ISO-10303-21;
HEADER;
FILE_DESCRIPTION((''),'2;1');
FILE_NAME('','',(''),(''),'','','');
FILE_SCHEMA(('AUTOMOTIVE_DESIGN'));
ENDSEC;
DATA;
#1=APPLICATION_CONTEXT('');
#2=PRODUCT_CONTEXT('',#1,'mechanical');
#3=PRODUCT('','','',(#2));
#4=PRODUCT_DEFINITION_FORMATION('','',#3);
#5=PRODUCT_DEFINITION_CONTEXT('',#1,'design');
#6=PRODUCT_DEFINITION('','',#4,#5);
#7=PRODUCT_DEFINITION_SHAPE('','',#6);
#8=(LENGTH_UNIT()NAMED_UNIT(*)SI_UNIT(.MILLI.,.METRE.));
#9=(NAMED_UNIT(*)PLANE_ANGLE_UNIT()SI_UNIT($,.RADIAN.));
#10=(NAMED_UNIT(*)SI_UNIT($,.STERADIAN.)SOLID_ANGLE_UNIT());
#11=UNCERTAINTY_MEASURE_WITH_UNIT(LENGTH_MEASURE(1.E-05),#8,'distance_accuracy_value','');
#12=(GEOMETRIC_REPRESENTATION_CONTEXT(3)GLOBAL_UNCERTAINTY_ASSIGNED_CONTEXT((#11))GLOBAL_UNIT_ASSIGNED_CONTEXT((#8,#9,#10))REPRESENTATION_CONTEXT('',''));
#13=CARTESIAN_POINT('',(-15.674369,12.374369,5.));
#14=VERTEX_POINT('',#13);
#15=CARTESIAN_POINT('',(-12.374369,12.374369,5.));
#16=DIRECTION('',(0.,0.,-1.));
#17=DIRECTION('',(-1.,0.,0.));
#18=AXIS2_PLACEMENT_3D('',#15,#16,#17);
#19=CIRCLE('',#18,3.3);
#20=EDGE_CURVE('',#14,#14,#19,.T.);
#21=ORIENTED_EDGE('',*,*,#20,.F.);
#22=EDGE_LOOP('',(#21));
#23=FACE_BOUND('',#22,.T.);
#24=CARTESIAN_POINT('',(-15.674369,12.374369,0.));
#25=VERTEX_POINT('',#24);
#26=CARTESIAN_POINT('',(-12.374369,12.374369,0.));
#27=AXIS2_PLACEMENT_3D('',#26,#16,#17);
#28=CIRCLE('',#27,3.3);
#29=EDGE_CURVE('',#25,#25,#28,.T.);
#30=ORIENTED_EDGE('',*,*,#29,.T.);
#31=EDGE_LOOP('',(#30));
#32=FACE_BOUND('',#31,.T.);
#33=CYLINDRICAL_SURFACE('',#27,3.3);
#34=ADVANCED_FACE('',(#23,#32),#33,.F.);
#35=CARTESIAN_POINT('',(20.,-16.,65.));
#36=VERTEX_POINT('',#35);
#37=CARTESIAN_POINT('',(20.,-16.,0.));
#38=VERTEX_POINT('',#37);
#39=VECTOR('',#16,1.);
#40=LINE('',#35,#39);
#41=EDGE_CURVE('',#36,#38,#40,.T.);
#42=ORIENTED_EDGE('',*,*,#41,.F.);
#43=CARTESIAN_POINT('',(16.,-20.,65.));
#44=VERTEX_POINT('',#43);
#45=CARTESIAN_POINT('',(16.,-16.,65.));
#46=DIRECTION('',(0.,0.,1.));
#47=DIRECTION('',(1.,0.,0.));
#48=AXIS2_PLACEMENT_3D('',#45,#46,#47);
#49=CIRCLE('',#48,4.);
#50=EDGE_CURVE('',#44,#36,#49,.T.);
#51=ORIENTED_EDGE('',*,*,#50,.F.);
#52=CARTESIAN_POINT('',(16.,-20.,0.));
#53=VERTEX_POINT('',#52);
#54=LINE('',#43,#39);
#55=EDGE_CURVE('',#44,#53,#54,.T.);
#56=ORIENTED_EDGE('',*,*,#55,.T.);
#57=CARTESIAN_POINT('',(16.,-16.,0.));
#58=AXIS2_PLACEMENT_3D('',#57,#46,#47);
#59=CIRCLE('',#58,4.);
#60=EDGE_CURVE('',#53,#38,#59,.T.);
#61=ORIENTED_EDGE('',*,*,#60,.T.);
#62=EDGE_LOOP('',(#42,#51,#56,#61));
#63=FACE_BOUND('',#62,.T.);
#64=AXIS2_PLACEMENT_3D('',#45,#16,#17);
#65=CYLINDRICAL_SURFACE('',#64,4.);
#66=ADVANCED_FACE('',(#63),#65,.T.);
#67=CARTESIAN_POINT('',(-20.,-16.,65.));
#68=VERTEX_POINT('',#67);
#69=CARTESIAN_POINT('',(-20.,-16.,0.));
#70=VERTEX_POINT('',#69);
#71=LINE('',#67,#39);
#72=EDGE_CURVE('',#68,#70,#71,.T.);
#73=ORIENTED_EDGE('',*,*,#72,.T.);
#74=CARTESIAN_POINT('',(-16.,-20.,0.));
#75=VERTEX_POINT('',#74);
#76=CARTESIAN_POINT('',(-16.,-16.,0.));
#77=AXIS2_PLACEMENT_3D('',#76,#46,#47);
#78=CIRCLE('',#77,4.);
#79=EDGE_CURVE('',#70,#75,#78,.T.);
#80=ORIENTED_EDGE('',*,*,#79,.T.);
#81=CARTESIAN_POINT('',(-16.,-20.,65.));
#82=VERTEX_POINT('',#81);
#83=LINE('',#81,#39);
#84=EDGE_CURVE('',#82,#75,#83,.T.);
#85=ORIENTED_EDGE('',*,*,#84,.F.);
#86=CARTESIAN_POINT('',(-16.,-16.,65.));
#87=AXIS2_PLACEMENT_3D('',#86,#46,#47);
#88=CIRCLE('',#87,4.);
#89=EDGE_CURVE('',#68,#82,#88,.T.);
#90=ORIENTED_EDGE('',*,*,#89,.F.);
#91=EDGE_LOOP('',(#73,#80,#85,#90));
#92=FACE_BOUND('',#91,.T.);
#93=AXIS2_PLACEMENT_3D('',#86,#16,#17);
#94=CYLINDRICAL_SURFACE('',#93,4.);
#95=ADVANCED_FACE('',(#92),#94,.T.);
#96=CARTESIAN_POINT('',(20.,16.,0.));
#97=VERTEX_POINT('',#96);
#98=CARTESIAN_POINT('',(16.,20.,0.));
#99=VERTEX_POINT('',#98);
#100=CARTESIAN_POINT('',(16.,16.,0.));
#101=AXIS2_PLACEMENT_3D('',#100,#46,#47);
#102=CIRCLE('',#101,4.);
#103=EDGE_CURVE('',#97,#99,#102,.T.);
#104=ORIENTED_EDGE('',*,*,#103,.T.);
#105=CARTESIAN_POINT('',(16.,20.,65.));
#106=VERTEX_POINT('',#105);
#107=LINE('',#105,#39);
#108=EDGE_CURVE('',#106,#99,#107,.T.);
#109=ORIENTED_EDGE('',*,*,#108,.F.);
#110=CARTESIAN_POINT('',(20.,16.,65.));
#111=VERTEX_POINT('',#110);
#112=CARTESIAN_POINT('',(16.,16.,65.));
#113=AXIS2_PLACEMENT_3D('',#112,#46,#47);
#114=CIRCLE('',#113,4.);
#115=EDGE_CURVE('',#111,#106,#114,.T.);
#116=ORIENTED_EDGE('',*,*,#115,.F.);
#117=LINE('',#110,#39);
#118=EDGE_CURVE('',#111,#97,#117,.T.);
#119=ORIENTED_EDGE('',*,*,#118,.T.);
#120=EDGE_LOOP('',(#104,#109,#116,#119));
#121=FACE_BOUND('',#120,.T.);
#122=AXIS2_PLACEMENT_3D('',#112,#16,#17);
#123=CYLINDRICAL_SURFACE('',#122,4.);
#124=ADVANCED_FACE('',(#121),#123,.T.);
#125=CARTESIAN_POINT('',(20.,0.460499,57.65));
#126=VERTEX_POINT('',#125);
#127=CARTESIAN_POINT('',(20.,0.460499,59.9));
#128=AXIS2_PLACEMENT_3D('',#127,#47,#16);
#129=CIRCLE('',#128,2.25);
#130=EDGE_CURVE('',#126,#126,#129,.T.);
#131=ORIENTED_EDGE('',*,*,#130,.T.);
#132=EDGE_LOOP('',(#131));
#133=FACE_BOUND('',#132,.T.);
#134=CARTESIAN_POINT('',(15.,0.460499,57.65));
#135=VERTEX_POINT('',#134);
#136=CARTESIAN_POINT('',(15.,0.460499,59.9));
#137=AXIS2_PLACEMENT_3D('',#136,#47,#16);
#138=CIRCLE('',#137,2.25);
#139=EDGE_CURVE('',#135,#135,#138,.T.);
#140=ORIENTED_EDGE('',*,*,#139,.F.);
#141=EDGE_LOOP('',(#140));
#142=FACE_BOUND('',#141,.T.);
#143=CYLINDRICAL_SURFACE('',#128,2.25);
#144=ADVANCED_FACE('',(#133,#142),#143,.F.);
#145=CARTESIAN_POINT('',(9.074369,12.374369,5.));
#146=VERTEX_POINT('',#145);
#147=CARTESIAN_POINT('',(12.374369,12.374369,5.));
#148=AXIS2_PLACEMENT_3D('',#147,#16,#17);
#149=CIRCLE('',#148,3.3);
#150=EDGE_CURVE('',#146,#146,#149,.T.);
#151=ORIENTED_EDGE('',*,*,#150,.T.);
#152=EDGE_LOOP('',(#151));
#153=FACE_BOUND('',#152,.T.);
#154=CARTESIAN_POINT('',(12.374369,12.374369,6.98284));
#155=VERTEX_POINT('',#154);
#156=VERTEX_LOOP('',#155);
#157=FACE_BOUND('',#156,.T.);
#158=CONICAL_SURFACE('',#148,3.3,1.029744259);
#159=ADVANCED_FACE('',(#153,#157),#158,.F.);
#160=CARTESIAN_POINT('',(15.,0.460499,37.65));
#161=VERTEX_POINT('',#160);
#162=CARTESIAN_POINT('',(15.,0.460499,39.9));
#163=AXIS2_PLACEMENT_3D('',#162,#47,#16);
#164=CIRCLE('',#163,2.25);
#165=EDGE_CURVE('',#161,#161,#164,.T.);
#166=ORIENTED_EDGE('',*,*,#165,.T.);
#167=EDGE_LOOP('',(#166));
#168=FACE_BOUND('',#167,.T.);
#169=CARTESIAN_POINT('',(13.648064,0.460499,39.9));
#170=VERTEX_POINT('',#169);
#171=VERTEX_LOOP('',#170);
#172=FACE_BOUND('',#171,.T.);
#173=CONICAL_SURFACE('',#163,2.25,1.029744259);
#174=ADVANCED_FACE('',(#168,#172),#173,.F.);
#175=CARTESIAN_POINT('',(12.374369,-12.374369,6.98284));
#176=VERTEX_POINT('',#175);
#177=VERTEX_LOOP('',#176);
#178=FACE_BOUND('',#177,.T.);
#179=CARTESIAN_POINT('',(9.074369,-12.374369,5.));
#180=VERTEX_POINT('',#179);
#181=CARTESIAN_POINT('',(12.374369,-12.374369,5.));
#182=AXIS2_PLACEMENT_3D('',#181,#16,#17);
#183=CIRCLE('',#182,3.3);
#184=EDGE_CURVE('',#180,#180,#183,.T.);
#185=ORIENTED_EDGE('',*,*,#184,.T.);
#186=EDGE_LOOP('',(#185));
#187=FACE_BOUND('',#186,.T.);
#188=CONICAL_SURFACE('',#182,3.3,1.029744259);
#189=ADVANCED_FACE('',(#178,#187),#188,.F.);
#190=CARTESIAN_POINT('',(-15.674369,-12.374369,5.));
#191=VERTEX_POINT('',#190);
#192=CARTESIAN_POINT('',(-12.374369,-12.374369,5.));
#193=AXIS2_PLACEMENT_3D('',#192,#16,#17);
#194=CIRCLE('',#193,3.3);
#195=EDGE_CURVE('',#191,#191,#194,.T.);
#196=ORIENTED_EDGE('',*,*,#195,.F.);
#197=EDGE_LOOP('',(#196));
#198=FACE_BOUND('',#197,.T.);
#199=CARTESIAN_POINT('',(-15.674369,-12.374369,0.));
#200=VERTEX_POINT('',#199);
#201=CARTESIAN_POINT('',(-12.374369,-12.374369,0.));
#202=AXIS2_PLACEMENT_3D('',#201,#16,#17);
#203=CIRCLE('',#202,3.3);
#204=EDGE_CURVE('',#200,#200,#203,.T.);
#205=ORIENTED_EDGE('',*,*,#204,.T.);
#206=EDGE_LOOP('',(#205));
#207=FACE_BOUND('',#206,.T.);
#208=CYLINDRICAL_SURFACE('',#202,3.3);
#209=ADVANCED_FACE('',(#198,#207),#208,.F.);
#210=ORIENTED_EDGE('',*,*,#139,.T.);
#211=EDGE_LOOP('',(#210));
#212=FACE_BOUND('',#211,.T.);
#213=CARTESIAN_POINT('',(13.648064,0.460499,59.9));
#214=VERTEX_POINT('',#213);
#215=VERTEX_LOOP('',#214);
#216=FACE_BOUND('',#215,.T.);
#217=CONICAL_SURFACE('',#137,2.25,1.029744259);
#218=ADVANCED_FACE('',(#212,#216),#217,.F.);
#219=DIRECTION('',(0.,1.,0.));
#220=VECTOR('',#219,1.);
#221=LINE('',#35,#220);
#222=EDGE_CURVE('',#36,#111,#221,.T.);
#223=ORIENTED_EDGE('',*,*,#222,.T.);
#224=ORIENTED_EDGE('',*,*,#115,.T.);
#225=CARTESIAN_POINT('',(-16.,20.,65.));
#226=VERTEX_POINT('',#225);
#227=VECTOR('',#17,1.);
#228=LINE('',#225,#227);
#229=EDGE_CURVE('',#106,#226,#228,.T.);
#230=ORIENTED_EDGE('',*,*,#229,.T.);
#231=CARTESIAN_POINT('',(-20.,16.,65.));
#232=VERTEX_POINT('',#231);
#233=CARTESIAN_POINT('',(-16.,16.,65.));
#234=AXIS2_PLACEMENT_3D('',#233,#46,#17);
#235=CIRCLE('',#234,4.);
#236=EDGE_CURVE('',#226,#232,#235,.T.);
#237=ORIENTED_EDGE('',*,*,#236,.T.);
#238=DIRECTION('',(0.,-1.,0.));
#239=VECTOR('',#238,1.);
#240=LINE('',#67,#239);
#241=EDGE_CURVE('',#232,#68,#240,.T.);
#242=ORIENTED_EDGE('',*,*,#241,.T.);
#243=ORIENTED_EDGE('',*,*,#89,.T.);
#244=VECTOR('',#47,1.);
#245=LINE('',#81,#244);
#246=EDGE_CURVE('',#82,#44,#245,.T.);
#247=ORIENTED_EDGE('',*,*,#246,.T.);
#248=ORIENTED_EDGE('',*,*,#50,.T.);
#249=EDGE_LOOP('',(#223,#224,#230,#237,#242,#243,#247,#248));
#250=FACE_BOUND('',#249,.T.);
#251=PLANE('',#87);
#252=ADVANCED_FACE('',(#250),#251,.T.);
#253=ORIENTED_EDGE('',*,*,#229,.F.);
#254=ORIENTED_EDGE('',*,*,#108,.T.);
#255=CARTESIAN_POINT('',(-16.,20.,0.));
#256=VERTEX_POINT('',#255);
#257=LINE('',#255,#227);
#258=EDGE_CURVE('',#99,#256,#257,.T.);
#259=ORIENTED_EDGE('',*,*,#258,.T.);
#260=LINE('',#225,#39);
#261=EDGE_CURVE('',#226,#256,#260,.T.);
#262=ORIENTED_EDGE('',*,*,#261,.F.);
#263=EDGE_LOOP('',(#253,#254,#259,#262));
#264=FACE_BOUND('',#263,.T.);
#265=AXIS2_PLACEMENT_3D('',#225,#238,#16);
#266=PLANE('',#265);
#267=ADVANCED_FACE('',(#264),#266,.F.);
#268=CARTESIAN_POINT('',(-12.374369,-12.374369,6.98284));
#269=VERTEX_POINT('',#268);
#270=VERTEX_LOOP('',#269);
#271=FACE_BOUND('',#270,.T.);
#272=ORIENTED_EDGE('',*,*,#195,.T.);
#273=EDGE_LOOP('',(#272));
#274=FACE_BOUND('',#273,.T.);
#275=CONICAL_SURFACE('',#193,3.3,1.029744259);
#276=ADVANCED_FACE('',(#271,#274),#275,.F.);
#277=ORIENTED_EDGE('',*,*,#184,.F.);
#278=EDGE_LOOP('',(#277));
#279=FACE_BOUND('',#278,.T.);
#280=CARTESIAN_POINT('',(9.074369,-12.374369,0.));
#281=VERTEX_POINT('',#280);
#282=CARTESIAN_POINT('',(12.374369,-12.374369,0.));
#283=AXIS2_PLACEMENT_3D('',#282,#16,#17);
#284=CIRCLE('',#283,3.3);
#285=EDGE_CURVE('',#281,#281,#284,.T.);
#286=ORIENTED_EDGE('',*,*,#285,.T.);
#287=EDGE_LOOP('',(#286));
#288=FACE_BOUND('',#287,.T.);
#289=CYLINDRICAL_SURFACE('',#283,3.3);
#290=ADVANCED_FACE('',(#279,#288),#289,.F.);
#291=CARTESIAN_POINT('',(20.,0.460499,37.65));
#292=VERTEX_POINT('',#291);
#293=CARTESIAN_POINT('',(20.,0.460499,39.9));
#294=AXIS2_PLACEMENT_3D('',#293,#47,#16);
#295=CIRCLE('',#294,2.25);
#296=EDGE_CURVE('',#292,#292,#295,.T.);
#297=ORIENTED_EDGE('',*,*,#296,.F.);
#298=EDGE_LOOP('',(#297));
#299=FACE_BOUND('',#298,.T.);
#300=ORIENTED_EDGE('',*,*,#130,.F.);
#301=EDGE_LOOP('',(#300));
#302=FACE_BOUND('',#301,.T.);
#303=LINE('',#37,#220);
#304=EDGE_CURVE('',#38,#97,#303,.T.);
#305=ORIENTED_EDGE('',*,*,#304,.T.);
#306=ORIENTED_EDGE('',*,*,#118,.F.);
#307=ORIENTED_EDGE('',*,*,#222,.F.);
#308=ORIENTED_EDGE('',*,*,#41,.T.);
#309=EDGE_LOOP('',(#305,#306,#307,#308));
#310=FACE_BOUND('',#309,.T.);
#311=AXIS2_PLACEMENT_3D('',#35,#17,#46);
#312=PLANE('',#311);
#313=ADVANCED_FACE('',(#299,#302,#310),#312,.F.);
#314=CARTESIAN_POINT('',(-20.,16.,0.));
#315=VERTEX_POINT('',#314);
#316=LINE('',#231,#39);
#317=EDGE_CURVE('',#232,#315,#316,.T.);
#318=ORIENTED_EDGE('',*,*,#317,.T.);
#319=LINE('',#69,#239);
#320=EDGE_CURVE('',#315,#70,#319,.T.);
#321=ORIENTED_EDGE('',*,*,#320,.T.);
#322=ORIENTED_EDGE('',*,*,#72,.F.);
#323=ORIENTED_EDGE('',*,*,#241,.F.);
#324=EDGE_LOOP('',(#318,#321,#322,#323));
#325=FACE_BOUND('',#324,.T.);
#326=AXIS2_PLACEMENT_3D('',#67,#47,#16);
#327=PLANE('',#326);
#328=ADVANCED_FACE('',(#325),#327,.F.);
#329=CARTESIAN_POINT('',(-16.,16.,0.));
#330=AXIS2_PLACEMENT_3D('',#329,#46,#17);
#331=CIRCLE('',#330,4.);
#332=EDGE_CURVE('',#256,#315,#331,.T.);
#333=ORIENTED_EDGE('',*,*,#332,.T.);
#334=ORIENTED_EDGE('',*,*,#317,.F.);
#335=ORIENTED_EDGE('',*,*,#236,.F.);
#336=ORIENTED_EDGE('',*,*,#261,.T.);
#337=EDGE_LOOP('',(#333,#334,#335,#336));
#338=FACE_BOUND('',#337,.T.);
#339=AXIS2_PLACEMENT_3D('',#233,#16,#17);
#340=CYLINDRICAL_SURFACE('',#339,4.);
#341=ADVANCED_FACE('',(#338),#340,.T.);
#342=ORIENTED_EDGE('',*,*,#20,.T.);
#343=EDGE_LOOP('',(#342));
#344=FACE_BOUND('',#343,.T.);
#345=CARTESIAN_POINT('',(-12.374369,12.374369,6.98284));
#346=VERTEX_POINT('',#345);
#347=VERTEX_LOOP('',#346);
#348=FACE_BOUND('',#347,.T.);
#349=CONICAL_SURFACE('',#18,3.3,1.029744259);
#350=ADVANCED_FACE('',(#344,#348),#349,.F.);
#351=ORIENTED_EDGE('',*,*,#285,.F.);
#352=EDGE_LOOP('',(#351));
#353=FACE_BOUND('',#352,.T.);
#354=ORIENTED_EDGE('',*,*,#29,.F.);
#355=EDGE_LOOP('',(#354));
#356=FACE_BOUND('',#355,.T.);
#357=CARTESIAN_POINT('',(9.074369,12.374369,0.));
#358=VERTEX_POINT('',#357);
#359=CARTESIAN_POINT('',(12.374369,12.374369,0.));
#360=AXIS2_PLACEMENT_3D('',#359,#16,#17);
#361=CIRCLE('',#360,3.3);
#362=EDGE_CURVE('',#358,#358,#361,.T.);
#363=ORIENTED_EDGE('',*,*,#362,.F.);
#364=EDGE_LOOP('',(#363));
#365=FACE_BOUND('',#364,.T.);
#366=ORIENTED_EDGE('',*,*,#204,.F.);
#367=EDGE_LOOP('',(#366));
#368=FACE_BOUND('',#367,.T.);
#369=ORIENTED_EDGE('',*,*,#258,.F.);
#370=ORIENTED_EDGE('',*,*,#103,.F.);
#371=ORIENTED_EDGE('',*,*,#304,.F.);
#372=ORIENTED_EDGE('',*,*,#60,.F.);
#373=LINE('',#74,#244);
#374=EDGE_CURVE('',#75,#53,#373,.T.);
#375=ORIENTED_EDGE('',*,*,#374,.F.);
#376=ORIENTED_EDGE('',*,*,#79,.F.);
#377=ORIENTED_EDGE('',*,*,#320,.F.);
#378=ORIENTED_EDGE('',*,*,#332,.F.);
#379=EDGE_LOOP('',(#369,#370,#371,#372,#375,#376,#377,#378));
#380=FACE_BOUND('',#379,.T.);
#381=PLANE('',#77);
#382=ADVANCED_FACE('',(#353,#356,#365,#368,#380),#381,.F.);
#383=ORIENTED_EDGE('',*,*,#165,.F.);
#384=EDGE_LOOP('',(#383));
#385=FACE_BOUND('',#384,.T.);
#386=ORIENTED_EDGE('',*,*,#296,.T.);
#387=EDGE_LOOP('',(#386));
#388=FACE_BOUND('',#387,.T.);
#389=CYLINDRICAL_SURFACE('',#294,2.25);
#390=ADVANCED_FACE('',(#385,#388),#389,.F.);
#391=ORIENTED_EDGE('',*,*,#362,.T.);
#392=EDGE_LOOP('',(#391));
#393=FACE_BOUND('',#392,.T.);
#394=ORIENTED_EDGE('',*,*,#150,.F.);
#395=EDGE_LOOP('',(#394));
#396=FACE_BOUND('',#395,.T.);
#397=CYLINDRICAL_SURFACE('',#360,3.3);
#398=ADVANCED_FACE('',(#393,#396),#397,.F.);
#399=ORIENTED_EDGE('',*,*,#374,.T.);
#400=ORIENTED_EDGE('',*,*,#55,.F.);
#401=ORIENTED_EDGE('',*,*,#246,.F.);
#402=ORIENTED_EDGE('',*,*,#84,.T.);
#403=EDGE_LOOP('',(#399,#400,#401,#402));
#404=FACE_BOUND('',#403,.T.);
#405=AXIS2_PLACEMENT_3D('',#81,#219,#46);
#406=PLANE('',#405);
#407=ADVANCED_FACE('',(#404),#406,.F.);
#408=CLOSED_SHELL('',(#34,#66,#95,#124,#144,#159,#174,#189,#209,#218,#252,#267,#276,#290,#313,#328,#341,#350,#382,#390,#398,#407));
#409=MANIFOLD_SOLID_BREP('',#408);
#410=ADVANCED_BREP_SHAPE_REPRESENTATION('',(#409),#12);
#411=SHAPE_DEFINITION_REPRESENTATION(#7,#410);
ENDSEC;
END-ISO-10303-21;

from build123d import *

# Parameters (mm, degrees)
BOSS_EXTRUDE1_DEPTH      = 65
SKETCH2_R                = 0.512371799
CUT_EXTRUDE1_DEPTH       = 3
M6_CLEARANCE_HOLE1_D     = 6.6
M6_CLEARANCE_HOLE1_DEPTH = 5
M6_CLEARANCE_HOLE1_TIP   = 1.982840043
M4_CLEARANCE_HOLE1_D     = 4.5
M4_CLEARANCE_HOLE1_DEPTH = 5
M4_CLEARANCE_HOLE1_TIP   = 1.351936393


with BuildPart() as part:
    # Sketch1 → Boss-Extrude1 (new body)
    with BuildSketch(Plane.XY):
        with BuildLine():
            Line((-16, -20), (16, -20))
            ThreePointArc((16, -20), (18.828427125, -18.828427125), (20, -16))
            Line((20, -16), (20, 16))
            ThreePointArc((20, 16), (18.828427125, 18.828427125), (16, 20))
            Line((16, 20), (-16, 20))
            ThreePointArc((-16, 20), (-18.828427125, 18.828427125), (-20, 16))
            Line((-20, 16), (-20, -16))
            ThreePointArc((-20, -16), (-18.828427125, -18.828427125), (-16, -20))
        make_face()
    extrude(amount=BOSS_EXTRUDE1_DEPTH)

    # Sketch2 → Cut-Extrude1 (cut)
    with BuildSketch(Plane(origin=(0, 0, 0), x_dir=(-1, 0, 0), z_dir=(0, 0, -1))):
        with Locations((-12.374368671, 12.374368671)):
            Circle(SKETCH2_R)
        with Locations((12.374368671, 12.374368671)):
            Circle(SKETCH2_R)
        with Locations((12.374368671, -12.374368671)):
            Circle(SKETCH2_R)
        with Locations((-12.374368671, -12.374368671)):
            Circle(SKETCH2_R)
    extrude(amount=-CUT_EXTRUDE1_DEPTH, mode=Mode.SUBTRACT)

    # M6 Clearance Hole1
    with Locations(Plane(origin=(0, 0, 0), x_dir=(-1, 0, 0), z_dir=(0, 0, -1))):
        with Locations((12.374368671, 12.374368671), (-12.374368671, 12.374368671), (-12.374368671, -12.374368671), (12.374368671, -12.374368671)):
            Hole(M6_CLEARANCE_HOLE1_D / 2, depth=M6_CLEARANCE_HOLE1_DEPTH)
            with Locations((0, 0, -(M6_CLEARANCE_HOLE1_DEPTH + M6_CLEARANCE_HOLE1_TIP / 2))):  # 118° drill point
                Cone(0, M6_CLEARANCE_HOLE1_D / 2, M6_CLEARANCE_HOLE1_TIP, mode=Mode.SUBTRACT)

    # M4 Clearance Hole1
    with Locations(Plane(origin=(20, 0, 0), x_dir=(0, 0, -1), z_dir=(1, 0, 0))):
        with Locations((-59.899999999, 0.460499028), (-39.899999999, 0.460499028)):
            Hole(M4_CLEARANCE_HOLE1_D / 2, depth=M4_CLEARANCE_HOLE1_DEPTH)
            with Locations((0, 0, -(M4_CLEARANCE_HOLE1_DEPTH + M4_CLEARANCE_HOLE1_TIP / 2))):  # 118° drill point
                Cone(0, M4_CLEARANCE_HOLE1_D / 2, M4_CLEARANCE_HOLE1_TIP, mode=Mode.SUBTRACT)


solid = part.part
